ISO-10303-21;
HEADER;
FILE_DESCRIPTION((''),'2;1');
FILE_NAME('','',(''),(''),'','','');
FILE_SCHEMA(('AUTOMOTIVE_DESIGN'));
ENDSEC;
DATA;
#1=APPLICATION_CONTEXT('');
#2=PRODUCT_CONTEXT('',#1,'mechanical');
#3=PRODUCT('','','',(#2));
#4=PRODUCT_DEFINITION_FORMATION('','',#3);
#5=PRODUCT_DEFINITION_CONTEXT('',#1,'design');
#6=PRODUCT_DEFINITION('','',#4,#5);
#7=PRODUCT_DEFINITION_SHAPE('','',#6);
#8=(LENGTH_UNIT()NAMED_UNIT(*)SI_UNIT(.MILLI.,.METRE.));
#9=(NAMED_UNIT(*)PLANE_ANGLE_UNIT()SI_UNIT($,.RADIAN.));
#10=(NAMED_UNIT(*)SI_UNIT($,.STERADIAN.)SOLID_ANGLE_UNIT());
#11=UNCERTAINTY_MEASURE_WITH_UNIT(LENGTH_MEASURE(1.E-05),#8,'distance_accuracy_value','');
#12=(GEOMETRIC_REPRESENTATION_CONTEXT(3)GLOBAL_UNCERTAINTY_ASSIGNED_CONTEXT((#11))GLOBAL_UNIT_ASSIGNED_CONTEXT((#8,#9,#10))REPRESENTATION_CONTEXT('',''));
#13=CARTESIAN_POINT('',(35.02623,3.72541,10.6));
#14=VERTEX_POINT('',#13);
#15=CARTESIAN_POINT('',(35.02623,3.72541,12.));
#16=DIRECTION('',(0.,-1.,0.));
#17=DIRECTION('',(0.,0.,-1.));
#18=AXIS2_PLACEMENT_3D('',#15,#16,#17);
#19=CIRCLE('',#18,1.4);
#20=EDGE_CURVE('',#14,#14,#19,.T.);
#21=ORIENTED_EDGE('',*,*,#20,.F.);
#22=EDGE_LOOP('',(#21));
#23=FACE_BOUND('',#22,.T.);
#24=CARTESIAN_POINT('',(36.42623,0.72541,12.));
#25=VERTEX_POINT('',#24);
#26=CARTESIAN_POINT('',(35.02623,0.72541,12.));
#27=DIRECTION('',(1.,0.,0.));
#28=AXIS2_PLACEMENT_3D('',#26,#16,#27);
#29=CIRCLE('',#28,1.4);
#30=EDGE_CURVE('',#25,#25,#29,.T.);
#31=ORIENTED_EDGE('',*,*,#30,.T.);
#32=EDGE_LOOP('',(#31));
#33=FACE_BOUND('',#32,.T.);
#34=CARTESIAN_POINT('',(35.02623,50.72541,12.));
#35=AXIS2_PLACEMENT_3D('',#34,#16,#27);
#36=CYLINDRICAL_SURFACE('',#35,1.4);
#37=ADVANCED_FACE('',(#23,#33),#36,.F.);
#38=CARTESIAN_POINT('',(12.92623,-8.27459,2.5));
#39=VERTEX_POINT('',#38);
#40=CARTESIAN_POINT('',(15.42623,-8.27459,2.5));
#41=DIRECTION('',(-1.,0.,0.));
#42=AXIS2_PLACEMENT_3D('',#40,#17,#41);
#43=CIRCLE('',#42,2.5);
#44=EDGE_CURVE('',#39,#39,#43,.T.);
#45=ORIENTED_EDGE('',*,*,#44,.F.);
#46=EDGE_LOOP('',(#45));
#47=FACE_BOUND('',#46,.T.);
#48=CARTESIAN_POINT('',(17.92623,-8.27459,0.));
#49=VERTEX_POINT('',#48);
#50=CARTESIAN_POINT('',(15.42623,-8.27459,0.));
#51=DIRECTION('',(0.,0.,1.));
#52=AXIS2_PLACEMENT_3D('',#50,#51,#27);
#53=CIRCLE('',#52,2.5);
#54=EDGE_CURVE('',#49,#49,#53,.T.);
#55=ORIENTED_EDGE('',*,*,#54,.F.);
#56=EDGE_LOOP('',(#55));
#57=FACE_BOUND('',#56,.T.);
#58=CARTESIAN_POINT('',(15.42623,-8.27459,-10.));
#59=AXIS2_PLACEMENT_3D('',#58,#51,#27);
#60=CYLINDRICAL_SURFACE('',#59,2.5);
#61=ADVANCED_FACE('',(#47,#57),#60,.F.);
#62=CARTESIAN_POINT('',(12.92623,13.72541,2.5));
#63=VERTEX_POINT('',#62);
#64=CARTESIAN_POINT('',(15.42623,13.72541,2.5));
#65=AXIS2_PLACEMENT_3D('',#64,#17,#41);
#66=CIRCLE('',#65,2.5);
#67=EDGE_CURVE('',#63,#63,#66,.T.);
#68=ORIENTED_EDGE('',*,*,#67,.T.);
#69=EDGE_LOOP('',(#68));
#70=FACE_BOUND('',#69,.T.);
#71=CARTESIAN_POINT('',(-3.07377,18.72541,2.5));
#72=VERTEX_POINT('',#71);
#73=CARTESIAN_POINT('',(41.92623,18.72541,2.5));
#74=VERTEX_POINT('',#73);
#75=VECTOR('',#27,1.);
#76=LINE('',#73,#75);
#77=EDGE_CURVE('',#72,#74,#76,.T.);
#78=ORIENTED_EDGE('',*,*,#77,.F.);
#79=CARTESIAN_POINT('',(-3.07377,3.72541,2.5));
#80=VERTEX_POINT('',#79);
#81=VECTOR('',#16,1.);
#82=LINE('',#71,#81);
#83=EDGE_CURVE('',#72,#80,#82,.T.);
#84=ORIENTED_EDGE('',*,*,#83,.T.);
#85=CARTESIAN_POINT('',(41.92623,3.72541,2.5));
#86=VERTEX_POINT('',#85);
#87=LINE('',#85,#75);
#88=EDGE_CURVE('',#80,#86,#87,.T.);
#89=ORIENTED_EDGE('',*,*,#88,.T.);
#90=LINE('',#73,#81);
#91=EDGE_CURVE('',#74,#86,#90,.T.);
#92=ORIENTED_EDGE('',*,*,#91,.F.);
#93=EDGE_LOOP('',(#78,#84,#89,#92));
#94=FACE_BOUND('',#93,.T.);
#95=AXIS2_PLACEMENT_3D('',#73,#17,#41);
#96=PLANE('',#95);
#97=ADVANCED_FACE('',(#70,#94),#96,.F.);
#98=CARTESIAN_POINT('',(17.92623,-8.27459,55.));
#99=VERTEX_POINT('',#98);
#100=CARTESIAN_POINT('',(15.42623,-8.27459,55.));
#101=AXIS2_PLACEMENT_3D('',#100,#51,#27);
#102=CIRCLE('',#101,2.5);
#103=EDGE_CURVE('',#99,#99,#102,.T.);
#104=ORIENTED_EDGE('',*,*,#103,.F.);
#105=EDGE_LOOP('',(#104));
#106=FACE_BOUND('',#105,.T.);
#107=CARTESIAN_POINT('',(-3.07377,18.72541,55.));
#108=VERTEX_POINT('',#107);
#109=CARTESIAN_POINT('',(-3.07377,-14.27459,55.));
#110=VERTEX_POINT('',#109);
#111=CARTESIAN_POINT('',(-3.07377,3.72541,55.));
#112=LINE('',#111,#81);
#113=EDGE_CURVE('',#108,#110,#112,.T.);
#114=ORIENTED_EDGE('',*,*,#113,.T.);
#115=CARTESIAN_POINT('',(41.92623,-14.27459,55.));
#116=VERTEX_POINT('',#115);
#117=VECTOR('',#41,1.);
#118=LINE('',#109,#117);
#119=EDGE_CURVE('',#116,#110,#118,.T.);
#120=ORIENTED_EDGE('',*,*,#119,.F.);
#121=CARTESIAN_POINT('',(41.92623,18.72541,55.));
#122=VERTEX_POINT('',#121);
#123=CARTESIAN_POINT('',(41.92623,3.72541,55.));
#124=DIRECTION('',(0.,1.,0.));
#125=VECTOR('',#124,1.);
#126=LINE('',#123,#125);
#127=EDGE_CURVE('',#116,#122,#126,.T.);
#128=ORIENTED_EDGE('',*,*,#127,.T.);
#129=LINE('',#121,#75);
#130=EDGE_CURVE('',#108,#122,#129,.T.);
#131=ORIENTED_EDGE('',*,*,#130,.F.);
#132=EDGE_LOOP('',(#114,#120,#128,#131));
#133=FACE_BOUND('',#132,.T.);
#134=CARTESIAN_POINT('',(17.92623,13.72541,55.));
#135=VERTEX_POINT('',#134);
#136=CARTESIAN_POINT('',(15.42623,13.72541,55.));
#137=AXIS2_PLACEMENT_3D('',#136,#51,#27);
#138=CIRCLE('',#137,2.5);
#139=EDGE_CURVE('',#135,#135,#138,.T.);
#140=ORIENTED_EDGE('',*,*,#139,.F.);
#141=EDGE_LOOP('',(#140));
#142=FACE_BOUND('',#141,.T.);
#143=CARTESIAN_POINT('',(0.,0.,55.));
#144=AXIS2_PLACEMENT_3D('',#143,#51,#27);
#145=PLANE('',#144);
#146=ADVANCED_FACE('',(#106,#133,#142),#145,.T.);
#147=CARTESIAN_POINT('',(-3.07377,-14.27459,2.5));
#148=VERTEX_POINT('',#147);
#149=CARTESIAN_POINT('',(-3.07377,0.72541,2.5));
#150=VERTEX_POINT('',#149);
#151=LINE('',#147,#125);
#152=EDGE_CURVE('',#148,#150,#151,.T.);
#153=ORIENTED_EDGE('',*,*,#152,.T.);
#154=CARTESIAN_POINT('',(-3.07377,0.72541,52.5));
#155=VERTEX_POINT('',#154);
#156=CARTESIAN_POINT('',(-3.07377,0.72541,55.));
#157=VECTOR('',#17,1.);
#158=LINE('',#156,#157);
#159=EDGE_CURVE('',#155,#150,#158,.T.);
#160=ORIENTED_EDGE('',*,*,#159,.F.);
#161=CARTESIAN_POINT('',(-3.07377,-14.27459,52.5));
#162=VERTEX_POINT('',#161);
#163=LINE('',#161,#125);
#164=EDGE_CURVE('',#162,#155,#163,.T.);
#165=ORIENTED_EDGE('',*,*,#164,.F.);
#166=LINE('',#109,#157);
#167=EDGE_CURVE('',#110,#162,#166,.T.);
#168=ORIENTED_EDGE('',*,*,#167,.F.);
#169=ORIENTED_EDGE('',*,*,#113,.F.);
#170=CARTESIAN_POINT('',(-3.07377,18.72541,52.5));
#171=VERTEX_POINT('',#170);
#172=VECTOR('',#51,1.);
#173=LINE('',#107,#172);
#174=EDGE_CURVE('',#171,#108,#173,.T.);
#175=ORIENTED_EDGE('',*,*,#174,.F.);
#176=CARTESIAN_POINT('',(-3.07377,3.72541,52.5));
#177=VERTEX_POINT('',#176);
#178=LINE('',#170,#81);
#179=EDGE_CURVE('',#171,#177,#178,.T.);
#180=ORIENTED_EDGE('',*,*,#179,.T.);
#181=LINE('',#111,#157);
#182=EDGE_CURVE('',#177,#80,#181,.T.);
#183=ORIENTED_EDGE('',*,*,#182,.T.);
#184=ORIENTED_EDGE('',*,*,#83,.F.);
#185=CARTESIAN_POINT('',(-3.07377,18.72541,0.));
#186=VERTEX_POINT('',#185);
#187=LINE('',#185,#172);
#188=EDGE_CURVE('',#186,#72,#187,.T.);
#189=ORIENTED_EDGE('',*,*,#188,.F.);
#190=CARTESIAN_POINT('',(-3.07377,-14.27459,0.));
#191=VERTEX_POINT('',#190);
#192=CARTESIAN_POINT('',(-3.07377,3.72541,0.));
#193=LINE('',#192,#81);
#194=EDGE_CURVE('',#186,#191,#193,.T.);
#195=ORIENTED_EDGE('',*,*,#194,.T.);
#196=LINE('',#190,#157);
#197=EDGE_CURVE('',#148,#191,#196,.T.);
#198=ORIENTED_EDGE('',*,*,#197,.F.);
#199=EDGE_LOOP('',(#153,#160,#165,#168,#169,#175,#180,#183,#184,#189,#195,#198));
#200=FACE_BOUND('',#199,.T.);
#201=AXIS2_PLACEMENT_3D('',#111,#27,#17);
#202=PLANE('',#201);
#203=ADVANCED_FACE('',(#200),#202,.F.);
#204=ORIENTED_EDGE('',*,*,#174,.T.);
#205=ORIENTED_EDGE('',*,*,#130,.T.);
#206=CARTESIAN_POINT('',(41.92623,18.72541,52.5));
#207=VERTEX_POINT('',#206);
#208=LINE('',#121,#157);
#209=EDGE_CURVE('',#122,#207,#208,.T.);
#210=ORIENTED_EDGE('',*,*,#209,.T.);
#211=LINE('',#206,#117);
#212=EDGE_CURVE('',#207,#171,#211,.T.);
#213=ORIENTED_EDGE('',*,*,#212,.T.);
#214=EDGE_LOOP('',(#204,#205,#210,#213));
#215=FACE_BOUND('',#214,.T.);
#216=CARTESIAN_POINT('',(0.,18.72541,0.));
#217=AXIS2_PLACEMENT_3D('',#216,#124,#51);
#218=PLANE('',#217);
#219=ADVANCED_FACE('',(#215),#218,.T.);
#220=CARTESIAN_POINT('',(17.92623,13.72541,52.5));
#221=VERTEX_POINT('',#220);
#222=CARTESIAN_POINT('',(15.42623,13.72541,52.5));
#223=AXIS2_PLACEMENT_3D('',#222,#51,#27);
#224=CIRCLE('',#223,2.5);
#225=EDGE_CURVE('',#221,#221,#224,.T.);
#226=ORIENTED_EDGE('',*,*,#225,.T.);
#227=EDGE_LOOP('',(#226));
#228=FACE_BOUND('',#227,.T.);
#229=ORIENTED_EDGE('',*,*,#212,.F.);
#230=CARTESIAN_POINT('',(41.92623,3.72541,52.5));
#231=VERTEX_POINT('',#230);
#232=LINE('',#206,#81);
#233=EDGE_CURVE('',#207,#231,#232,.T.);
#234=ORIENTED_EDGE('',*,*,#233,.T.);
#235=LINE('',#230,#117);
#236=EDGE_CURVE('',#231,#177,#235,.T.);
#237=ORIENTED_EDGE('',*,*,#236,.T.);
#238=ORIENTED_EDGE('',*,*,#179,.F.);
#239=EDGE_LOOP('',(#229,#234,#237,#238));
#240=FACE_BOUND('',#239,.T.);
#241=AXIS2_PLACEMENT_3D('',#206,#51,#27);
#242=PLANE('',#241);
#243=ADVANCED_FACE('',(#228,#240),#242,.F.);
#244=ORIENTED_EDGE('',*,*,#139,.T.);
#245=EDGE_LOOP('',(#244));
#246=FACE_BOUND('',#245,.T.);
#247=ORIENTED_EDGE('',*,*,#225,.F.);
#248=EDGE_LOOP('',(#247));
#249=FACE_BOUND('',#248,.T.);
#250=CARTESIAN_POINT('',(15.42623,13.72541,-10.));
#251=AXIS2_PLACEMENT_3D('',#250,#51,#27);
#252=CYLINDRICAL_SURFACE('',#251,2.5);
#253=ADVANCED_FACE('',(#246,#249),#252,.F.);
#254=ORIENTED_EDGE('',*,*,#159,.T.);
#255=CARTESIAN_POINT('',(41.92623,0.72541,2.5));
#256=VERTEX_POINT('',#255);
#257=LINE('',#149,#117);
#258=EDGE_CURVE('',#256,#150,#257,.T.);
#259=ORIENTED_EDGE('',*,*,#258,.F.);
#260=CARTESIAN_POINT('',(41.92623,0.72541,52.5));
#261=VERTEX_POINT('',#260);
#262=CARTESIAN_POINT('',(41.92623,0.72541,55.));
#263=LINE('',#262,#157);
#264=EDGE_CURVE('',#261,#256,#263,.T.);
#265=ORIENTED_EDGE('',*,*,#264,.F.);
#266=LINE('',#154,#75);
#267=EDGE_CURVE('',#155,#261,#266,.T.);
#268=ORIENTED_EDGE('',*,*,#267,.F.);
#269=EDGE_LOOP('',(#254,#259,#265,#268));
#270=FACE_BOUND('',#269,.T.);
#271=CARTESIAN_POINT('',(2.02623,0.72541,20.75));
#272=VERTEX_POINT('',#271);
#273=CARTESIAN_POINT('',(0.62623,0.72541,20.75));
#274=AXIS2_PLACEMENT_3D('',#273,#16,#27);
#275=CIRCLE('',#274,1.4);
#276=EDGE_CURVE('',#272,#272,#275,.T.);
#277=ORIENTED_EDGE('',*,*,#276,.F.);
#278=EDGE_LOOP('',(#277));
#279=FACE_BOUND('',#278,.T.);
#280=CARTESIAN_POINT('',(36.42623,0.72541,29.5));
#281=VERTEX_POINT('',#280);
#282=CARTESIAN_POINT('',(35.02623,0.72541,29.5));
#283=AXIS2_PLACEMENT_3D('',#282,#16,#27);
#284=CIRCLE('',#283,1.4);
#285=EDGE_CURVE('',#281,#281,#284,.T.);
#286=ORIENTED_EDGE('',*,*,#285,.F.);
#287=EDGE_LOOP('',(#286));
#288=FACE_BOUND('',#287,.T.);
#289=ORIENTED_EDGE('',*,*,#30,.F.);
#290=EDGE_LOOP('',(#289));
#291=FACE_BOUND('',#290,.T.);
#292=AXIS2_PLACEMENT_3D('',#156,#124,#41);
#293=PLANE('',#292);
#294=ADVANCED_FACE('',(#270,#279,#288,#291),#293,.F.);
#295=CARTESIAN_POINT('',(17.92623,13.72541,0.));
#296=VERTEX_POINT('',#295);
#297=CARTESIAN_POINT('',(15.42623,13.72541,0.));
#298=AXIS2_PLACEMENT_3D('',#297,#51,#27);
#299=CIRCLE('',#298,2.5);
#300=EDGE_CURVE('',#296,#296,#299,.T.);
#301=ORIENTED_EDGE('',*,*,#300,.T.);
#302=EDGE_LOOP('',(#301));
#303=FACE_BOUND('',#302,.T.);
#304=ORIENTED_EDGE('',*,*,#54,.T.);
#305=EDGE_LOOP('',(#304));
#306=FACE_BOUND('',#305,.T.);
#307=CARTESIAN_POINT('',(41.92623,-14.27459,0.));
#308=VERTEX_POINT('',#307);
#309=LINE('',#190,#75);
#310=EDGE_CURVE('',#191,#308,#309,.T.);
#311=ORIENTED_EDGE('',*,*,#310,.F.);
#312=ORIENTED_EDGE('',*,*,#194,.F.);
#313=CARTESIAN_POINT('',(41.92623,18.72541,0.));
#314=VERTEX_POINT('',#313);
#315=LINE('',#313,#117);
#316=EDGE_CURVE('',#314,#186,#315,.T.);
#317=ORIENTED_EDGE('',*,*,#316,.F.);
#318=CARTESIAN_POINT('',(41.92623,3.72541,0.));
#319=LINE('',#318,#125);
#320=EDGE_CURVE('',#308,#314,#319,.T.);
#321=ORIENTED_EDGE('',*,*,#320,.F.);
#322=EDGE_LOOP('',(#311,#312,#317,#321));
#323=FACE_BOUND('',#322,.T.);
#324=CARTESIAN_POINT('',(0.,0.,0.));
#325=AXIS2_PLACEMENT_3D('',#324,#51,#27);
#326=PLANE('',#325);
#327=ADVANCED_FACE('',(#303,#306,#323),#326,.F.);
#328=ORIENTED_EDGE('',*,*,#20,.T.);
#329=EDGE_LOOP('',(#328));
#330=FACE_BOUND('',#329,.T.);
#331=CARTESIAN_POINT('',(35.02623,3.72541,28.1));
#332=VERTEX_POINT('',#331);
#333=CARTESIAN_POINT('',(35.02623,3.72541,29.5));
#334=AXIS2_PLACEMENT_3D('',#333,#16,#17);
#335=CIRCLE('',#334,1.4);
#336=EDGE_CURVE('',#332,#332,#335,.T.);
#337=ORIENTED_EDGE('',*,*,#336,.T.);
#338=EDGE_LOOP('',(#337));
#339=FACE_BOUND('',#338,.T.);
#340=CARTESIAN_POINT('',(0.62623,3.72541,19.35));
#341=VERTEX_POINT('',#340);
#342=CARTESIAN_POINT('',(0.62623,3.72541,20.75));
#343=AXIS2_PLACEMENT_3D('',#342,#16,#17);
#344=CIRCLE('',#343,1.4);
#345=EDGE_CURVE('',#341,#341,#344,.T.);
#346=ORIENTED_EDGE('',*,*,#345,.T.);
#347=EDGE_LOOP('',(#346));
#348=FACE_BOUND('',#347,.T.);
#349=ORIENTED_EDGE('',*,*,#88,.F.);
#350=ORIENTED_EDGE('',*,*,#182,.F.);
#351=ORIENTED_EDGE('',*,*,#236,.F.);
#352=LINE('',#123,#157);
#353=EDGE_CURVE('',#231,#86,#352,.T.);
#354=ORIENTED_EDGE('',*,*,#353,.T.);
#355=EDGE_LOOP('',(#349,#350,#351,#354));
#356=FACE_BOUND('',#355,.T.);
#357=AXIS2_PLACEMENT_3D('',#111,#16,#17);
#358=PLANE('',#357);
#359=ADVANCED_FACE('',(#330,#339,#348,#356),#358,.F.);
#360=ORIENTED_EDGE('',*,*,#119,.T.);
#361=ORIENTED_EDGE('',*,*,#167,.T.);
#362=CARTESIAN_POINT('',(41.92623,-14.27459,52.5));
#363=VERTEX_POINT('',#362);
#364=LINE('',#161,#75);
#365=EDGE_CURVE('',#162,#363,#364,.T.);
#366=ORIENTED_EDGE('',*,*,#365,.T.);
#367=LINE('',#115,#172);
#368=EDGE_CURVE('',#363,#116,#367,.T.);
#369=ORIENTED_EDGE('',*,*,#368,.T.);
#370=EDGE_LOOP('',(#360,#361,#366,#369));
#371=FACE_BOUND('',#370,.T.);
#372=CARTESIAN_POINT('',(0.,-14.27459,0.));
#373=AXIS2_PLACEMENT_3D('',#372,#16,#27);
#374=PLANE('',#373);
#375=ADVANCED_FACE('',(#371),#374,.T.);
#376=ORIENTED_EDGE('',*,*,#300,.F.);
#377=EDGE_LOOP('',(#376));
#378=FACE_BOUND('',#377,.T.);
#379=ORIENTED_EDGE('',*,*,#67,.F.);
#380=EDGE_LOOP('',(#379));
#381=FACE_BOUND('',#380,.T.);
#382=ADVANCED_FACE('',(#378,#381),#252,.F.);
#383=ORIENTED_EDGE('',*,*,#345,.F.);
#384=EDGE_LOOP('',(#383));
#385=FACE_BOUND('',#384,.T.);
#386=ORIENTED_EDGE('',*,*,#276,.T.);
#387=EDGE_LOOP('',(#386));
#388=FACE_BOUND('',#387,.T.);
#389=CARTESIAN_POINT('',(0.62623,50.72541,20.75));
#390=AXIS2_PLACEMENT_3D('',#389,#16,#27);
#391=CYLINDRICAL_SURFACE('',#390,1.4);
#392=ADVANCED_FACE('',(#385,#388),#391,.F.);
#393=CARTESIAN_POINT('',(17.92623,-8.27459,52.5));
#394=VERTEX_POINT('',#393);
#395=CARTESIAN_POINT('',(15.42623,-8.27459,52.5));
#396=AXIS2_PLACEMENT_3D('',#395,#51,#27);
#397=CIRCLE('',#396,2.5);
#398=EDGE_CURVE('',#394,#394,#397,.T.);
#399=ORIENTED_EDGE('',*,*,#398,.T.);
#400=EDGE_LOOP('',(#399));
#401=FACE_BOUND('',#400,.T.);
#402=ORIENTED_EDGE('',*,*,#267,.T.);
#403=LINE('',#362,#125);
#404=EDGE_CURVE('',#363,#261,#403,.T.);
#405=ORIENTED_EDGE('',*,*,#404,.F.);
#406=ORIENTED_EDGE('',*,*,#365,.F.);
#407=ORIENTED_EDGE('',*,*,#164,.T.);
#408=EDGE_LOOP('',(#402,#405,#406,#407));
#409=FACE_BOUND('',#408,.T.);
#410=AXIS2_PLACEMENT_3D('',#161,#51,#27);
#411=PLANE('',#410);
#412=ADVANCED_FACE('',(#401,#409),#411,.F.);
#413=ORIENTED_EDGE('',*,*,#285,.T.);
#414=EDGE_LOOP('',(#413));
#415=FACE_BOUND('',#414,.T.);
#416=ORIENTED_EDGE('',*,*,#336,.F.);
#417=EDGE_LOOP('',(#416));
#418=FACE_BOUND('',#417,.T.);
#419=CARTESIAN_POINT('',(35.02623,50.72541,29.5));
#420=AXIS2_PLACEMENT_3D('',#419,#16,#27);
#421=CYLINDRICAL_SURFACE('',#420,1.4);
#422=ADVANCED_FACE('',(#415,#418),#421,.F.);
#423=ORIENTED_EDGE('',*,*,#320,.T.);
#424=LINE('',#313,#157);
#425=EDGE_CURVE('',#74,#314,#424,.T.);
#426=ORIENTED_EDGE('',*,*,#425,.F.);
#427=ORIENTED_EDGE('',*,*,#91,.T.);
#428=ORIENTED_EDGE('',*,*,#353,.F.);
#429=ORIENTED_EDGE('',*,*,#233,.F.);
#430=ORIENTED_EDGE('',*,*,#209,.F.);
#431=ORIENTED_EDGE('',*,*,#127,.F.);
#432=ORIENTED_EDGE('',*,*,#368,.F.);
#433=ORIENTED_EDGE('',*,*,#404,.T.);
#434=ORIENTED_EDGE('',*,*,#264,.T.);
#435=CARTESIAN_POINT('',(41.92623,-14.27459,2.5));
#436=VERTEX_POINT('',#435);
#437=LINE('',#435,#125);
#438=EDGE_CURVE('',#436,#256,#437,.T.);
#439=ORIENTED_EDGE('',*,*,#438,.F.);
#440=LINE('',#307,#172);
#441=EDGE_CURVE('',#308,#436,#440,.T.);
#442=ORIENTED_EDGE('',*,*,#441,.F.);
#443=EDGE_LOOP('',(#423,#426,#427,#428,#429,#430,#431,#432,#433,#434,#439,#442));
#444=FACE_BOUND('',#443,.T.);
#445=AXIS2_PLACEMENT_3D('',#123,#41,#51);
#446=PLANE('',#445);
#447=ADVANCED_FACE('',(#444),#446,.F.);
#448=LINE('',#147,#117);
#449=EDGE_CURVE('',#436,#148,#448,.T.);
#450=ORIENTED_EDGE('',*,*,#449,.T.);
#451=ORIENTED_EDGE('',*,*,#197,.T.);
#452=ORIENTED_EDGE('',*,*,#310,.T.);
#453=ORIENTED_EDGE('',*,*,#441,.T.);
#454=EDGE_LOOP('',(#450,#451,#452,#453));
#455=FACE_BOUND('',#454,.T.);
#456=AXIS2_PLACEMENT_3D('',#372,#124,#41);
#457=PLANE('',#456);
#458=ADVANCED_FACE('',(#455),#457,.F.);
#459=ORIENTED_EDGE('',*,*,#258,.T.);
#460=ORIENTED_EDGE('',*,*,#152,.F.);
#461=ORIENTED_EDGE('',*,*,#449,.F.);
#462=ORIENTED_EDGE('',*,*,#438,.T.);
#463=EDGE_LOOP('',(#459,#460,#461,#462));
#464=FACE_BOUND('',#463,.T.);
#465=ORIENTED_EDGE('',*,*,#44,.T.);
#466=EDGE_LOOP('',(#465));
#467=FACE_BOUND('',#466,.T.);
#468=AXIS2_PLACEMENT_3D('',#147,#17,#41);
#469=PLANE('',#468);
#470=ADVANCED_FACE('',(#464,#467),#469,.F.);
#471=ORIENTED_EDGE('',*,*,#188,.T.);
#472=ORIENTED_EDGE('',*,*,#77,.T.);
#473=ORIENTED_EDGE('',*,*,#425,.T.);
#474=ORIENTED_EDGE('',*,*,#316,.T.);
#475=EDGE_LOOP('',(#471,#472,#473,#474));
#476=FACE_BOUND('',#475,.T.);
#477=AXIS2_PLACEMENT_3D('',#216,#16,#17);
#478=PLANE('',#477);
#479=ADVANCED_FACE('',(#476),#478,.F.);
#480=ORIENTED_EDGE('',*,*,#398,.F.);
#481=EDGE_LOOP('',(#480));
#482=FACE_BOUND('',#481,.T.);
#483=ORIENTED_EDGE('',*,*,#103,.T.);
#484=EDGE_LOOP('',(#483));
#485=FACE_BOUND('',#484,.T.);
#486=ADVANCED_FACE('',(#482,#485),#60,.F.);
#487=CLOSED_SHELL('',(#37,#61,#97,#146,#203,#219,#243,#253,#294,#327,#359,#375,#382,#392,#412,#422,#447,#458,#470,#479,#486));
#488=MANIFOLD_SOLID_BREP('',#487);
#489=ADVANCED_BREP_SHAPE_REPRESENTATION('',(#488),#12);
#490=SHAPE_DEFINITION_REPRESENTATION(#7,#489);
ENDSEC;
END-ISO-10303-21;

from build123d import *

# Parameters (mm, degrees)
ESQUISSE1_W             = 45
ESQUISSE1_H             = 3
BOSS_EXTRU_1_DEPTH      = 55
ESQUISSE2_R             = 1.4
ENL_V_MAT_EXTRU_1_DEPTH = 50
ESQUISSE3_W             = 45
ESQUISSE3_H             = 2.5
BOSS_EXTRU_2_DEPTH      = 15
ESQUISSE4_R             = 2.5
ENL_V_MAT_EXTRU_2_DEPTH = 65
ESQUISSE5_W             = 45
ESQUISSE5_H             = 2.5
BOSS_EXTRU_3_DEPTH      = 15
ESQUISSE6_R             = 2.5
ENL_V_MAT_EXTRU_3_DEPTH = 65


with BuildPart() as part:
    # Esquisse1 → Boss.-Extru.1 (new body)
    with BuildSketch(Plane.XY):
        with Locations((19.426229508, 2.225409836)):
            Rectangle(ESQUISSE1_W, ESQUISSE1_H)
    extrude(amount=BOSS_EXTRU_1_DEPTH)

    # Esquisse2 → Enlèv. mat.-Extru.1 (cut)
    with BuildSketch(Plane.XZ.offset(-0.725409836)):
        with Locations((0.626229508, 20.75)):
            Circle(ESQUISSE2_R)
        with Locations((35.026229508, 12)):
            Circle(ESQUISSE2_R)
        with Locations((35.026229508, 29.5)):
            Circle(ESQUISSE2_R)
    extrude(amount=-ENL_V_MAT_EXTRU_1_DEPTH, mode=Mode.SUBTRACT)

    # Esquisse3 → Boss.-Extru.2 (add)
    with BuildSketch(Plane.XZ.offset(-0.725409836)):
        with Locations((19.426229508, 53.75)):
            Rectangle(ESQUISSE3_W, ESQUISSE3_H)
        with Locations((19.426229508, 1.25)):
            Rectangle(ESQUISSE3_W, ESQUISSE3_H)
    extrude(amount=BOSS_EXTRU_2_DEPTH)

    # Esquisse4 → Enlèv. mat.-Extru.2 (cut)
    with BuildSketch(Plane.XY.offset(55)):
        with Locations((15.426229508, -8.274590164)):
            Circle(ESQUISSE4_R)
    extrude(amount=-ENL_V_MAT_EXTRU_2_DEPTH, mode=Mode.SUBTRACT)

    # Esquisse5 → Boss.-Extru.3 (add)
    with BuildSketch(Plane(origin=(0, 3.725409836, 0), x_dir=(1, 0, 0), z_dir=(0, 1, 0))):
        with Locations((19.426229508, -53.75)):
            Rectangle(ESQUISSE5_W, ESQUISSE5_H)
        with Locations((19.426229508, -1.25)):
            Rectangle(ESQUISSE5_W, ESQUISSE5_H)
    extrude(amount=BOSS_EXTRU_3_DEPTH)

    # Esquisse6 → Enlèv. mat.-Extru.3 (cut)
    with BuildSketch(Plane.XY.offset(55)):
        with Locations((15.426229508, 13.725409836)):
            Circle(ESQUISSE6_R)
    extrude(amount=-ENL_V_MAT_EXTRU_3_DEPTH, mode=Mode.SUBTRACT)


solid = part.part
